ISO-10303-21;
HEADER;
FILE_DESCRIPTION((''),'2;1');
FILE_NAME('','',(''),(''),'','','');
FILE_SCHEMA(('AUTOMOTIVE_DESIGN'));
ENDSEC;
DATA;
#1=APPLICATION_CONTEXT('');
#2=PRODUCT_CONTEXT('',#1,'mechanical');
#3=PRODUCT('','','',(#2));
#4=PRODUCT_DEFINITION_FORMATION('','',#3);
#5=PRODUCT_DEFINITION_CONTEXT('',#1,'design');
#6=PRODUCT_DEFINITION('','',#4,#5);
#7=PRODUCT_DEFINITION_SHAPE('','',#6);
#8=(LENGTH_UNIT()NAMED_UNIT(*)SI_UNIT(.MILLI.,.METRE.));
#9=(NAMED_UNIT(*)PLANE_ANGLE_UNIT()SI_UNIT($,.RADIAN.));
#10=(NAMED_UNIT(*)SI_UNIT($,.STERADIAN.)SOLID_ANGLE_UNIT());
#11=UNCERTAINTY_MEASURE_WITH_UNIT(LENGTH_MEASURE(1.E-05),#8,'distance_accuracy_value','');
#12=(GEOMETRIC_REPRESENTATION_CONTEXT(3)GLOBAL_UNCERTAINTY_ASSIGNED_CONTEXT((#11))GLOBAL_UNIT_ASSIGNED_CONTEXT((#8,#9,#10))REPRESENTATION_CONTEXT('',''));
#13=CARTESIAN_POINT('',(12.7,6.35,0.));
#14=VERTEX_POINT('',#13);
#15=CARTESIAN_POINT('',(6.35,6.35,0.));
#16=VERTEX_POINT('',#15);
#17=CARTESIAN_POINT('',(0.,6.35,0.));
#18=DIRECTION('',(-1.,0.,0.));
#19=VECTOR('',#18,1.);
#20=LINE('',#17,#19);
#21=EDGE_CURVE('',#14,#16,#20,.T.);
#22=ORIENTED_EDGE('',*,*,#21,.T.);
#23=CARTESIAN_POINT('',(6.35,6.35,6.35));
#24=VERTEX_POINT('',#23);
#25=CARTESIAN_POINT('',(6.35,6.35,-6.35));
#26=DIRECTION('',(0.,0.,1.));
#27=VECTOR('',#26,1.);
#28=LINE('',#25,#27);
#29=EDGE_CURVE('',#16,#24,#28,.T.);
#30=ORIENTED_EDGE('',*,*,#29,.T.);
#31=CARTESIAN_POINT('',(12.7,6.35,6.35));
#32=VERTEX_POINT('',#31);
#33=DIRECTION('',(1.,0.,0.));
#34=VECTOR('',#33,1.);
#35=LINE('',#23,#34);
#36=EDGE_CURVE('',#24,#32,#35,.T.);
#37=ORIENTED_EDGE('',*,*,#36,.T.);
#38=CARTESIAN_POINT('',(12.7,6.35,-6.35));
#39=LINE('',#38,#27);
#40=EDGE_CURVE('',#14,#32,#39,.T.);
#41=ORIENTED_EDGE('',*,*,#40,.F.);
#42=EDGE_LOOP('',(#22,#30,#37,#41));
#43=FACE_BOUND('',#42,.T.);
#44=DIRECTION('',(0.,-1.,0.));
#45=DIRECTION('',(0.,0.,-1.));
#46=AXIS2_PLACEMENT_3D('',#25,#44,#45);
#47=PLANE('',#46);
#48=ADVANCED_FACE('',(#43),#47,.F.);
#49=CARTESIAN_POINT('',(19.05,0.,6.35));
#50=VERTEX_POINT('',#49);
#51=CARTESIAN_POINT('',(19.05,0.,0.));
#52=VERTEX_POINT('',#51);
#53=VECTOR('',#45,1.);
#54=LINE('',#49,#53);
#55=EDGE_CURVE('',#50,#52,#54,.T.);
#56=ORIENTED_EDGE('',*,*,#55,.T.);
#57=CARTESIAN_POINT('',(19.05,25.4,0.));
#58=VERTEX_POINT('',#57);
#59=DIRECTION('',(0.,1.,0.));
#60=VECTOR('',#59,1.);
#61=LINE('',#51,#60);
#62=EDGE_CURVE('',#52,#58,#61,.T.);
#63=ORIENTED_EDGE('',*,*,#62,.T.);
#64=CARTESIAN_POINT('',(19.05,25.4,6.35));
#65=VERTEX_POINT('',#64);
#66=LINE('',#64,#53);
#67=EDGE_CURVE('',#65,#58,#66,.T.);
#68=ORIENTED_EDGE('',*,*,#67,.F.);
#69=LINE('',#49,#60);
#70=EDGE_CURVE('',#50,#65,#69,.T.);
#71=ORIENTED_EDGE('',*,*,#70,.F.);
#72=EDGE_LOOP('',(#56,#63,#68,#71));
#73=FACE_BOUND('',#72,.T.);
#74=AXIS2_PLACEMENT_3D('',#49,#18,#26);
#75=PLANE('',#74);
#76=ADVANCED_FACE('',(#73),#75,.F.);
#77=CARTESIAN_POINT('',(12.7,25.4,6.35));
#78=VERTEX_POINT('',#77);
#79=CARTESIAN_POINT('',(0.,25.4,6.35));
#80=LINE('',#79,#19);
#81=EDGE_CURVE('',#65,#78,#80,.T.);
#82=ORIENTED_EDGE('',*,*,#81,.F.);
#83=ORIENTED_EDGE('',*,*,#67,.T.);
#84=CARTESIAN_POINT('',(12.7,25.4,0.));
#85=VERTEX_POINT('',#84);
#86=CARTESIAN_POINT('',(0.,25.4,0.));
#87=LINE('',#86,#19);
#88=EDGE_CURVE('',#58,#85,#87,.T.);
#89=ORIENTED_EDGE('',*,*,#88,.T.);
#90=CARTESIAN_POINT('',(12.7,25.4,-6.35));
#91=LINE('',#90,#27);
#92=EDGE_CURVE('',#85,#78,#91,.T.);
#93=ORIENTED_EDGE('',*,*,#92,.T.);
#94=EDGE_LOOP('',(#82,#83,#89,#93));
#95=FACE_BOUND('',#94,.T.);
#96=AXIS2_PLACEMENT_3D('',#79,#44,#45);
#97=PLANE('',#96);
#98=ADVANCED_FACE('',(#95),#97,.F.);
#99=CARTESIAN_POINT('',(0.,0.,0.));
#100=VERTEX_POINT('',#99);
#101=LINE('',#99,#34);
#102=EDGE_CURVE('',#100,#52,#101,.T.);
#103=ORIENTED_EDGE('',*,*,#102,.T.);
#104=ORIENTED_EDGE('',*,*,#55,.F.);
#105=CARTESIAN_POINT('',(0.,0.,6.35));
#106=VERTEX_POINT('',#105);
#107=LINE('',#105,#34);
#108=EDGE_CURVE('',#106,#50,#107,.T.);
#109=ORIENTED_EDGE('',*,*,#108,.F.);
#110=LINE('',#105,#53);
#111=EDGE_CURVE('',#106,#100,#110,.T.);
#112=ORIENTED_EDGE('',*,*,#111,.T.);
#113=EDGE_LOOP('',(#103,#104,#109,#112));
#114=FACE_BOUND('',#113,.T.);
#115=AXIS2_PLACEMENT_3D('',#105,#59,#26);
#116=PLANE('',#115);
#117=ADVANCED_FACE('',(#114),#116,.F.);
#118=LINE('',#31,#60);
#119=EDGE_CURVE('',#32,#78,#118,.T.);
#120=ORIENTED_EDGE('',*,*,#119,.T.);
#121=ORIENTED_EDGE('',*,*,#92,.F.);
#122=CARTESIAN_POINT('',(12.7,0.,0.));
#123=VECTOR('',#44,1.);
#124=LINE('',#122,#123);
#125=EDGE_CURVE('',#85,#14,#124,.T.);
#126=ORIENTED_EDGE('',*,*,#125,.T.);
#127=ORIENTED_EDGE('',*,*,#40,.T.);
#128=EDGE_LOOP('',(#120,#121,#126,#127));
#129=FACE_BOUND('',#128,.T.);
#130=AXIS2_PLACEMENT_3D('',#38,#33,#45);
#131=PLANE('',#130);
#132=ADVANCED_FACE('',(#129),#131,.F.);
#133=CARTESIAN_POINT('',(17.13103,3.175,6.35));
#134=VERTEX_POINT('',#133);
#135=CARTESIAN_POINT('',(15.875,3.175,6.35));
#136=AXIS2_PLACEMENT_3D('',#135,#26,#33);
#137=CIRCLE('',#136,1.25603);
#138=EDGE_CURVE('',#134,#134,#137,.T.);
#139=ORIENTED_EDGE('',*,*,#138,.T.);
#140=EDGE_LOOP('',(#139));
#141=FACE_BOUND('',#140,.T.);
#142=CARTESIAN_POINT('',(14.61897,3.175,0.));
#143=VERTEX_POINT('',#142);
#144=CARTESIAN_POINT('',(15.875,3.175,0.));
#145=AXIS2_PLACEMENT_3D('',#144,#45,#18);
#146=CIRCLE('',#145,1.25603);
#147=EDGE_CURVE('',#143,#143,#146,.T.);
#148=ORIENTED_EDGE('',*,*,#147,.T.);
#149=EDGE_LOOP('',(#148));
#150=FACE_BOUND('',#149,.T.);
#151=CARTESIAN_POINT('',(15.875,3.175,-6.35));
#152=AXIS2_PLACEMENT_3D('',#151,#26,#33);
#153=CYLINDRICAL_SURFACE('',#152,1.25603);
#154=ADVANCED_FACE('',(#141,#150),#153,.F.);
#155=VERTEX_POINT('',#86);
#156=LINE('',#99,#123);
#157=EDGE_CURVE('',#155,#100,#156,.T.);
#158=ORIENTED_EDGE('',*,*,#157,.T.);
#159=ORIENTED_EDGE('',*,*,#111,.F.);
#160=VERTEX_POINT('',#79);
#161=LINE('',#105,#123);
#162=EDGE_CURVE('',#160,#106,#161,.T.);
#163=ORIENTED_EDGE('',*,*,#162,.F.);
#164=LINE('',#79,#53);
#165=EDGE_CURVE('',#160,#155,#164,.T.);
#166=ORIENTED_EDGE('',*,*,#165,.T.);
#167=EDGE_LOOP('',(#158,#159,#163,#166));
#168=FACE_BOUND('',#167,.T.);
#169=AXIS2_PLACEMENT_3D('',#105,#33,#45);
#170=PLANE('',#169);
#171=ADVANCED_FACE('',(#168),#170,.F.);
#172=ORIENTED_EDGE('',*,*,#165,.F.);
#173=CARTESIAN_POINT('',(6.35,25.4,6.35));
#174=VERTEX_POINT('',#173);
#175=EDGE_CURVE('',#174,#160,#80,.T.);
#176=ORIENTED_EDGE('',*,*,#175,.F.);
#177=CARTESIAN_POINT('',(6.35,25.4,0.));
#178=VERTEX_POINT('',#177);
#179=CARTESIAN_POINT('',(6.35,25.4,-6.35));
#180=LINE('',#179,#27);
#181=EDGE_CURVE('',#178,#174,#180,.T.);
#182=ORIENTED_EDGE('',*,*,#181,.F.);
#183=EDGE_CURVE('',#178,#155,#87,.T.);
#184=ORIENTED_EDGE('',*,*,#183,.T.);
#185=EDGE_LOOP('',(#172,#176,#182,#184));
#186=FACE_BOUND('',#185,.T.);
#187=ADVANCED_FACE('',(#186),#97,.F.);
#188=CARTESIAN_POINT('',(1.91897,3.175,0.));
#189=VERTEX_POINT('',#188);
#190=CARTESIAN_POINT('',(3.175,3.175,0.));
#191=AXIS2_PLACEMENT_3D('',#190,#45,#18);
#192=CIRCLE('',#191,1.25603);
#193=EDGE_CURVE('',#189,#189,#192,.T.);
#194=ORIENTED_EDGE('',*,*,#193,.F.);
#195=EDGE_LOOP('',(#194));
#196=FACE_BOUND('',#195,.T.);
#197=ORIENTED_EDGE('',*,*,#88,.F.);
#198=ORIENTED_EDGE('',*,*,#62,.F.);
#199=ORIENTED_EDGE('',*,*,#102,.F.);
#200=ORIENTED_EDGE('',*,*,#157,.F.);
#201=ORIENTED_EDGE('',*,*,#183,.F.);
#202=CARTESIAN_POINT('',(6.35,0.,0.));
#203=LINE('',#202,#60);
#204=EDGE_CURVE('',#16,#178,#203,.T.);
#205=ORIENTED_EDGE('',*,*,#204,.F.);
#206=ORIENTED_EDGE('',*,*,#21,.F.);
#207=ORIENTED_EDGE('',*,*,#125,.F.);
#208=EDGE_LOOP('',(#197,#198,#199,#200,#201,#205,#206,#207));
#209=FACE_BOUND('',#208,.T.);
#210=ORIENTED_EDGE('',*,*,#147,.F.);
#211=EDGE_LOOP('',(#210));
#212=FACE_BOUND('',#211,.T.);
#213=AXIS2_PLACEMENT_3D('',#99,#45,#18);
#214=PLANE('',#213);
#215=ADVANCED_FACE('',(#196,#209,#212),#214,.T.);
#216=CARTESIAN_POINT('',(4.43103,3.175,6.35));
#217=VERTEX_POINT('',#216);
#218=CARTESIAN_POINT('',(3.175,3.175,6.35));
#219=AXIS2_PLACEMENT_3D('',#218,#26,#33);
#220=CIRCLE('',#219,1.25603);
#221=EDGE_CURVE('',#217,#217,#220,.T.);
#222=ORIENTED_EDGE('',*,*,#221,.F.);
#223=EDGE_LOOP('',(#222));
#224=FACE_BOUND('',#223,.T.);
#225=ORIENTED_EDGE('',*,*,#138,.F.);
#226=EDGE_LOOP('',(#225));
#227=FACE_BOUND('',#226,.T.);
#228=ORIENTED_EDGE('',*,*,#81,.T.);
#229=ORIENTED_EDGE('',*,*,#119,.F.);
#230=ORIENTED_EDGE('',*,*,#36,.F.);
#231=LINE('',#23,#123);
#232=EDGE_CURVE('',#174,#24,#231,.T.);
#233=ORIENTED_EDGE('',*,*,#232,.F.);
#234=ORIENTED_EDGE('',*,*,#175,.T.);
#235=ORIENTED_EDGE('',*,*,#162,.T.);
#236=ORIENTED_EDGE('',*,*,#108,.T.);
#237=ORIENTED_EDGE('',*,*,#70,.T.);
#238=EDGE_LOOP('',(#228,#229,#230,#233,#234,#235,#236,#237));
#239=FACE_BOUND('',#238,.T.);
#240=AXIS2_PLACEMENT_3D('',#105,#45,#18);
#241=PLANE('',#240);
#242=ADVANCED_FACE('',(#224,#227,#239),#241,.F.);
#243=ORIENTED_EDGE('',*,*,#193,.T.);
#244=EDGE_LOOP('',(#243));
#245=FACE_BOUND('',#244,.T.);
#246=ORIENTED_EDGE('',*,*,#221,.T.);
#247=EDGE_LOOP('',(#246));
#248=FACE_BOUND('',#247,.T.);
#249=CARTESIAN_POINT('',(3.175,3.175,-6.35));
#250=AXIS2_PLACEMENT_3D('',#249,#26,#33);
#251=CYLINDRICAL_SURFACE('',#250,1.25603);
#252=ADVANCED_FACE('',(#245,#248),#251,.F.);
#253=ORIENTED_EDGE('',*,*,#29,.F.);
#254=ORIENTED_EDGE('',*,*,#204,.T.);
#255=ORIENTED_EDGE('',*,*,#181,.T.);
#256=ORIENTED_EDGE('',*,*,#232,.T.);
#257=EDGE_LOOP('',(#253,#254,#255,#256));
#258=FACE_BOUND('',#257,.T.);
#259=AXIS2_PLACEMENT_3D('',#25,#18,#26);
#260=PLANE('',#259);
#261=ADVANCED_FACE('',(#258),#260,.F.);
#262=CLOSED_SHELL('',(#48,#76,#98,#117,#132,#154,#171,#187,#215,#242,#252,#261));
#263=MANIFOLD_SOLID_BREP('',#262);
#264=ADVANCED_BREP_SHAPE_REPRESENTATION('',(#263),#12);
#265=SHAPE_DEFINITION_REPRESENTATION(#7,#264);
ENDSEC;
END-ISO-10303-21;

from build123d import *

# Parameters (mm, degrees)
SKETCH1_W        = 19.05
SKETCH1_H        = 25.4
MAIN_BLOCK_DEPTH = 6.35
SKETCH2_W        = 6.35
SKETCH2_H        = 19.05
U_CUT_DEPTH      = 12.7
SKETCH3_R        = 1.25603
BOLT_HOLES_DEPTH = 12.7


with BuildPart() as part:
    # Sketch1 → Main block (new body)
    with BuildSketch(Plane.XY):
        with Locations((9.525, 12.7)):
            Rectangle(SKETCH1_W, SKETCH1_H)
    extrude(amount=MAIN_BLOCK_DEPTH)

    # Sketch2 → U-cut (cut)
    with BuildSketch(Plane.XY.offset(6.35)):
        with Locations((9.525, 15.875)):
            Rectangle(SKETCH2_W, SKETCH2_H)
    extrude(amount=-U_CUT_DEPTH, mode=Mode.SUBTRACT)

    # Sketch3 → Bolt holes (cut)
    with BuildSketch(Plane.XY.offset(6.35)):
        with Locations((3.175, 3.175)):
            Circle(SKETCH3_R)
        with Locations((15.875, 3.175)):
            Circle(SKETCH3_R)
    extrude(amount=-BOLT_HOLES_DEPTH, mode=Mode.SUBTRACT)


solid = part.part
